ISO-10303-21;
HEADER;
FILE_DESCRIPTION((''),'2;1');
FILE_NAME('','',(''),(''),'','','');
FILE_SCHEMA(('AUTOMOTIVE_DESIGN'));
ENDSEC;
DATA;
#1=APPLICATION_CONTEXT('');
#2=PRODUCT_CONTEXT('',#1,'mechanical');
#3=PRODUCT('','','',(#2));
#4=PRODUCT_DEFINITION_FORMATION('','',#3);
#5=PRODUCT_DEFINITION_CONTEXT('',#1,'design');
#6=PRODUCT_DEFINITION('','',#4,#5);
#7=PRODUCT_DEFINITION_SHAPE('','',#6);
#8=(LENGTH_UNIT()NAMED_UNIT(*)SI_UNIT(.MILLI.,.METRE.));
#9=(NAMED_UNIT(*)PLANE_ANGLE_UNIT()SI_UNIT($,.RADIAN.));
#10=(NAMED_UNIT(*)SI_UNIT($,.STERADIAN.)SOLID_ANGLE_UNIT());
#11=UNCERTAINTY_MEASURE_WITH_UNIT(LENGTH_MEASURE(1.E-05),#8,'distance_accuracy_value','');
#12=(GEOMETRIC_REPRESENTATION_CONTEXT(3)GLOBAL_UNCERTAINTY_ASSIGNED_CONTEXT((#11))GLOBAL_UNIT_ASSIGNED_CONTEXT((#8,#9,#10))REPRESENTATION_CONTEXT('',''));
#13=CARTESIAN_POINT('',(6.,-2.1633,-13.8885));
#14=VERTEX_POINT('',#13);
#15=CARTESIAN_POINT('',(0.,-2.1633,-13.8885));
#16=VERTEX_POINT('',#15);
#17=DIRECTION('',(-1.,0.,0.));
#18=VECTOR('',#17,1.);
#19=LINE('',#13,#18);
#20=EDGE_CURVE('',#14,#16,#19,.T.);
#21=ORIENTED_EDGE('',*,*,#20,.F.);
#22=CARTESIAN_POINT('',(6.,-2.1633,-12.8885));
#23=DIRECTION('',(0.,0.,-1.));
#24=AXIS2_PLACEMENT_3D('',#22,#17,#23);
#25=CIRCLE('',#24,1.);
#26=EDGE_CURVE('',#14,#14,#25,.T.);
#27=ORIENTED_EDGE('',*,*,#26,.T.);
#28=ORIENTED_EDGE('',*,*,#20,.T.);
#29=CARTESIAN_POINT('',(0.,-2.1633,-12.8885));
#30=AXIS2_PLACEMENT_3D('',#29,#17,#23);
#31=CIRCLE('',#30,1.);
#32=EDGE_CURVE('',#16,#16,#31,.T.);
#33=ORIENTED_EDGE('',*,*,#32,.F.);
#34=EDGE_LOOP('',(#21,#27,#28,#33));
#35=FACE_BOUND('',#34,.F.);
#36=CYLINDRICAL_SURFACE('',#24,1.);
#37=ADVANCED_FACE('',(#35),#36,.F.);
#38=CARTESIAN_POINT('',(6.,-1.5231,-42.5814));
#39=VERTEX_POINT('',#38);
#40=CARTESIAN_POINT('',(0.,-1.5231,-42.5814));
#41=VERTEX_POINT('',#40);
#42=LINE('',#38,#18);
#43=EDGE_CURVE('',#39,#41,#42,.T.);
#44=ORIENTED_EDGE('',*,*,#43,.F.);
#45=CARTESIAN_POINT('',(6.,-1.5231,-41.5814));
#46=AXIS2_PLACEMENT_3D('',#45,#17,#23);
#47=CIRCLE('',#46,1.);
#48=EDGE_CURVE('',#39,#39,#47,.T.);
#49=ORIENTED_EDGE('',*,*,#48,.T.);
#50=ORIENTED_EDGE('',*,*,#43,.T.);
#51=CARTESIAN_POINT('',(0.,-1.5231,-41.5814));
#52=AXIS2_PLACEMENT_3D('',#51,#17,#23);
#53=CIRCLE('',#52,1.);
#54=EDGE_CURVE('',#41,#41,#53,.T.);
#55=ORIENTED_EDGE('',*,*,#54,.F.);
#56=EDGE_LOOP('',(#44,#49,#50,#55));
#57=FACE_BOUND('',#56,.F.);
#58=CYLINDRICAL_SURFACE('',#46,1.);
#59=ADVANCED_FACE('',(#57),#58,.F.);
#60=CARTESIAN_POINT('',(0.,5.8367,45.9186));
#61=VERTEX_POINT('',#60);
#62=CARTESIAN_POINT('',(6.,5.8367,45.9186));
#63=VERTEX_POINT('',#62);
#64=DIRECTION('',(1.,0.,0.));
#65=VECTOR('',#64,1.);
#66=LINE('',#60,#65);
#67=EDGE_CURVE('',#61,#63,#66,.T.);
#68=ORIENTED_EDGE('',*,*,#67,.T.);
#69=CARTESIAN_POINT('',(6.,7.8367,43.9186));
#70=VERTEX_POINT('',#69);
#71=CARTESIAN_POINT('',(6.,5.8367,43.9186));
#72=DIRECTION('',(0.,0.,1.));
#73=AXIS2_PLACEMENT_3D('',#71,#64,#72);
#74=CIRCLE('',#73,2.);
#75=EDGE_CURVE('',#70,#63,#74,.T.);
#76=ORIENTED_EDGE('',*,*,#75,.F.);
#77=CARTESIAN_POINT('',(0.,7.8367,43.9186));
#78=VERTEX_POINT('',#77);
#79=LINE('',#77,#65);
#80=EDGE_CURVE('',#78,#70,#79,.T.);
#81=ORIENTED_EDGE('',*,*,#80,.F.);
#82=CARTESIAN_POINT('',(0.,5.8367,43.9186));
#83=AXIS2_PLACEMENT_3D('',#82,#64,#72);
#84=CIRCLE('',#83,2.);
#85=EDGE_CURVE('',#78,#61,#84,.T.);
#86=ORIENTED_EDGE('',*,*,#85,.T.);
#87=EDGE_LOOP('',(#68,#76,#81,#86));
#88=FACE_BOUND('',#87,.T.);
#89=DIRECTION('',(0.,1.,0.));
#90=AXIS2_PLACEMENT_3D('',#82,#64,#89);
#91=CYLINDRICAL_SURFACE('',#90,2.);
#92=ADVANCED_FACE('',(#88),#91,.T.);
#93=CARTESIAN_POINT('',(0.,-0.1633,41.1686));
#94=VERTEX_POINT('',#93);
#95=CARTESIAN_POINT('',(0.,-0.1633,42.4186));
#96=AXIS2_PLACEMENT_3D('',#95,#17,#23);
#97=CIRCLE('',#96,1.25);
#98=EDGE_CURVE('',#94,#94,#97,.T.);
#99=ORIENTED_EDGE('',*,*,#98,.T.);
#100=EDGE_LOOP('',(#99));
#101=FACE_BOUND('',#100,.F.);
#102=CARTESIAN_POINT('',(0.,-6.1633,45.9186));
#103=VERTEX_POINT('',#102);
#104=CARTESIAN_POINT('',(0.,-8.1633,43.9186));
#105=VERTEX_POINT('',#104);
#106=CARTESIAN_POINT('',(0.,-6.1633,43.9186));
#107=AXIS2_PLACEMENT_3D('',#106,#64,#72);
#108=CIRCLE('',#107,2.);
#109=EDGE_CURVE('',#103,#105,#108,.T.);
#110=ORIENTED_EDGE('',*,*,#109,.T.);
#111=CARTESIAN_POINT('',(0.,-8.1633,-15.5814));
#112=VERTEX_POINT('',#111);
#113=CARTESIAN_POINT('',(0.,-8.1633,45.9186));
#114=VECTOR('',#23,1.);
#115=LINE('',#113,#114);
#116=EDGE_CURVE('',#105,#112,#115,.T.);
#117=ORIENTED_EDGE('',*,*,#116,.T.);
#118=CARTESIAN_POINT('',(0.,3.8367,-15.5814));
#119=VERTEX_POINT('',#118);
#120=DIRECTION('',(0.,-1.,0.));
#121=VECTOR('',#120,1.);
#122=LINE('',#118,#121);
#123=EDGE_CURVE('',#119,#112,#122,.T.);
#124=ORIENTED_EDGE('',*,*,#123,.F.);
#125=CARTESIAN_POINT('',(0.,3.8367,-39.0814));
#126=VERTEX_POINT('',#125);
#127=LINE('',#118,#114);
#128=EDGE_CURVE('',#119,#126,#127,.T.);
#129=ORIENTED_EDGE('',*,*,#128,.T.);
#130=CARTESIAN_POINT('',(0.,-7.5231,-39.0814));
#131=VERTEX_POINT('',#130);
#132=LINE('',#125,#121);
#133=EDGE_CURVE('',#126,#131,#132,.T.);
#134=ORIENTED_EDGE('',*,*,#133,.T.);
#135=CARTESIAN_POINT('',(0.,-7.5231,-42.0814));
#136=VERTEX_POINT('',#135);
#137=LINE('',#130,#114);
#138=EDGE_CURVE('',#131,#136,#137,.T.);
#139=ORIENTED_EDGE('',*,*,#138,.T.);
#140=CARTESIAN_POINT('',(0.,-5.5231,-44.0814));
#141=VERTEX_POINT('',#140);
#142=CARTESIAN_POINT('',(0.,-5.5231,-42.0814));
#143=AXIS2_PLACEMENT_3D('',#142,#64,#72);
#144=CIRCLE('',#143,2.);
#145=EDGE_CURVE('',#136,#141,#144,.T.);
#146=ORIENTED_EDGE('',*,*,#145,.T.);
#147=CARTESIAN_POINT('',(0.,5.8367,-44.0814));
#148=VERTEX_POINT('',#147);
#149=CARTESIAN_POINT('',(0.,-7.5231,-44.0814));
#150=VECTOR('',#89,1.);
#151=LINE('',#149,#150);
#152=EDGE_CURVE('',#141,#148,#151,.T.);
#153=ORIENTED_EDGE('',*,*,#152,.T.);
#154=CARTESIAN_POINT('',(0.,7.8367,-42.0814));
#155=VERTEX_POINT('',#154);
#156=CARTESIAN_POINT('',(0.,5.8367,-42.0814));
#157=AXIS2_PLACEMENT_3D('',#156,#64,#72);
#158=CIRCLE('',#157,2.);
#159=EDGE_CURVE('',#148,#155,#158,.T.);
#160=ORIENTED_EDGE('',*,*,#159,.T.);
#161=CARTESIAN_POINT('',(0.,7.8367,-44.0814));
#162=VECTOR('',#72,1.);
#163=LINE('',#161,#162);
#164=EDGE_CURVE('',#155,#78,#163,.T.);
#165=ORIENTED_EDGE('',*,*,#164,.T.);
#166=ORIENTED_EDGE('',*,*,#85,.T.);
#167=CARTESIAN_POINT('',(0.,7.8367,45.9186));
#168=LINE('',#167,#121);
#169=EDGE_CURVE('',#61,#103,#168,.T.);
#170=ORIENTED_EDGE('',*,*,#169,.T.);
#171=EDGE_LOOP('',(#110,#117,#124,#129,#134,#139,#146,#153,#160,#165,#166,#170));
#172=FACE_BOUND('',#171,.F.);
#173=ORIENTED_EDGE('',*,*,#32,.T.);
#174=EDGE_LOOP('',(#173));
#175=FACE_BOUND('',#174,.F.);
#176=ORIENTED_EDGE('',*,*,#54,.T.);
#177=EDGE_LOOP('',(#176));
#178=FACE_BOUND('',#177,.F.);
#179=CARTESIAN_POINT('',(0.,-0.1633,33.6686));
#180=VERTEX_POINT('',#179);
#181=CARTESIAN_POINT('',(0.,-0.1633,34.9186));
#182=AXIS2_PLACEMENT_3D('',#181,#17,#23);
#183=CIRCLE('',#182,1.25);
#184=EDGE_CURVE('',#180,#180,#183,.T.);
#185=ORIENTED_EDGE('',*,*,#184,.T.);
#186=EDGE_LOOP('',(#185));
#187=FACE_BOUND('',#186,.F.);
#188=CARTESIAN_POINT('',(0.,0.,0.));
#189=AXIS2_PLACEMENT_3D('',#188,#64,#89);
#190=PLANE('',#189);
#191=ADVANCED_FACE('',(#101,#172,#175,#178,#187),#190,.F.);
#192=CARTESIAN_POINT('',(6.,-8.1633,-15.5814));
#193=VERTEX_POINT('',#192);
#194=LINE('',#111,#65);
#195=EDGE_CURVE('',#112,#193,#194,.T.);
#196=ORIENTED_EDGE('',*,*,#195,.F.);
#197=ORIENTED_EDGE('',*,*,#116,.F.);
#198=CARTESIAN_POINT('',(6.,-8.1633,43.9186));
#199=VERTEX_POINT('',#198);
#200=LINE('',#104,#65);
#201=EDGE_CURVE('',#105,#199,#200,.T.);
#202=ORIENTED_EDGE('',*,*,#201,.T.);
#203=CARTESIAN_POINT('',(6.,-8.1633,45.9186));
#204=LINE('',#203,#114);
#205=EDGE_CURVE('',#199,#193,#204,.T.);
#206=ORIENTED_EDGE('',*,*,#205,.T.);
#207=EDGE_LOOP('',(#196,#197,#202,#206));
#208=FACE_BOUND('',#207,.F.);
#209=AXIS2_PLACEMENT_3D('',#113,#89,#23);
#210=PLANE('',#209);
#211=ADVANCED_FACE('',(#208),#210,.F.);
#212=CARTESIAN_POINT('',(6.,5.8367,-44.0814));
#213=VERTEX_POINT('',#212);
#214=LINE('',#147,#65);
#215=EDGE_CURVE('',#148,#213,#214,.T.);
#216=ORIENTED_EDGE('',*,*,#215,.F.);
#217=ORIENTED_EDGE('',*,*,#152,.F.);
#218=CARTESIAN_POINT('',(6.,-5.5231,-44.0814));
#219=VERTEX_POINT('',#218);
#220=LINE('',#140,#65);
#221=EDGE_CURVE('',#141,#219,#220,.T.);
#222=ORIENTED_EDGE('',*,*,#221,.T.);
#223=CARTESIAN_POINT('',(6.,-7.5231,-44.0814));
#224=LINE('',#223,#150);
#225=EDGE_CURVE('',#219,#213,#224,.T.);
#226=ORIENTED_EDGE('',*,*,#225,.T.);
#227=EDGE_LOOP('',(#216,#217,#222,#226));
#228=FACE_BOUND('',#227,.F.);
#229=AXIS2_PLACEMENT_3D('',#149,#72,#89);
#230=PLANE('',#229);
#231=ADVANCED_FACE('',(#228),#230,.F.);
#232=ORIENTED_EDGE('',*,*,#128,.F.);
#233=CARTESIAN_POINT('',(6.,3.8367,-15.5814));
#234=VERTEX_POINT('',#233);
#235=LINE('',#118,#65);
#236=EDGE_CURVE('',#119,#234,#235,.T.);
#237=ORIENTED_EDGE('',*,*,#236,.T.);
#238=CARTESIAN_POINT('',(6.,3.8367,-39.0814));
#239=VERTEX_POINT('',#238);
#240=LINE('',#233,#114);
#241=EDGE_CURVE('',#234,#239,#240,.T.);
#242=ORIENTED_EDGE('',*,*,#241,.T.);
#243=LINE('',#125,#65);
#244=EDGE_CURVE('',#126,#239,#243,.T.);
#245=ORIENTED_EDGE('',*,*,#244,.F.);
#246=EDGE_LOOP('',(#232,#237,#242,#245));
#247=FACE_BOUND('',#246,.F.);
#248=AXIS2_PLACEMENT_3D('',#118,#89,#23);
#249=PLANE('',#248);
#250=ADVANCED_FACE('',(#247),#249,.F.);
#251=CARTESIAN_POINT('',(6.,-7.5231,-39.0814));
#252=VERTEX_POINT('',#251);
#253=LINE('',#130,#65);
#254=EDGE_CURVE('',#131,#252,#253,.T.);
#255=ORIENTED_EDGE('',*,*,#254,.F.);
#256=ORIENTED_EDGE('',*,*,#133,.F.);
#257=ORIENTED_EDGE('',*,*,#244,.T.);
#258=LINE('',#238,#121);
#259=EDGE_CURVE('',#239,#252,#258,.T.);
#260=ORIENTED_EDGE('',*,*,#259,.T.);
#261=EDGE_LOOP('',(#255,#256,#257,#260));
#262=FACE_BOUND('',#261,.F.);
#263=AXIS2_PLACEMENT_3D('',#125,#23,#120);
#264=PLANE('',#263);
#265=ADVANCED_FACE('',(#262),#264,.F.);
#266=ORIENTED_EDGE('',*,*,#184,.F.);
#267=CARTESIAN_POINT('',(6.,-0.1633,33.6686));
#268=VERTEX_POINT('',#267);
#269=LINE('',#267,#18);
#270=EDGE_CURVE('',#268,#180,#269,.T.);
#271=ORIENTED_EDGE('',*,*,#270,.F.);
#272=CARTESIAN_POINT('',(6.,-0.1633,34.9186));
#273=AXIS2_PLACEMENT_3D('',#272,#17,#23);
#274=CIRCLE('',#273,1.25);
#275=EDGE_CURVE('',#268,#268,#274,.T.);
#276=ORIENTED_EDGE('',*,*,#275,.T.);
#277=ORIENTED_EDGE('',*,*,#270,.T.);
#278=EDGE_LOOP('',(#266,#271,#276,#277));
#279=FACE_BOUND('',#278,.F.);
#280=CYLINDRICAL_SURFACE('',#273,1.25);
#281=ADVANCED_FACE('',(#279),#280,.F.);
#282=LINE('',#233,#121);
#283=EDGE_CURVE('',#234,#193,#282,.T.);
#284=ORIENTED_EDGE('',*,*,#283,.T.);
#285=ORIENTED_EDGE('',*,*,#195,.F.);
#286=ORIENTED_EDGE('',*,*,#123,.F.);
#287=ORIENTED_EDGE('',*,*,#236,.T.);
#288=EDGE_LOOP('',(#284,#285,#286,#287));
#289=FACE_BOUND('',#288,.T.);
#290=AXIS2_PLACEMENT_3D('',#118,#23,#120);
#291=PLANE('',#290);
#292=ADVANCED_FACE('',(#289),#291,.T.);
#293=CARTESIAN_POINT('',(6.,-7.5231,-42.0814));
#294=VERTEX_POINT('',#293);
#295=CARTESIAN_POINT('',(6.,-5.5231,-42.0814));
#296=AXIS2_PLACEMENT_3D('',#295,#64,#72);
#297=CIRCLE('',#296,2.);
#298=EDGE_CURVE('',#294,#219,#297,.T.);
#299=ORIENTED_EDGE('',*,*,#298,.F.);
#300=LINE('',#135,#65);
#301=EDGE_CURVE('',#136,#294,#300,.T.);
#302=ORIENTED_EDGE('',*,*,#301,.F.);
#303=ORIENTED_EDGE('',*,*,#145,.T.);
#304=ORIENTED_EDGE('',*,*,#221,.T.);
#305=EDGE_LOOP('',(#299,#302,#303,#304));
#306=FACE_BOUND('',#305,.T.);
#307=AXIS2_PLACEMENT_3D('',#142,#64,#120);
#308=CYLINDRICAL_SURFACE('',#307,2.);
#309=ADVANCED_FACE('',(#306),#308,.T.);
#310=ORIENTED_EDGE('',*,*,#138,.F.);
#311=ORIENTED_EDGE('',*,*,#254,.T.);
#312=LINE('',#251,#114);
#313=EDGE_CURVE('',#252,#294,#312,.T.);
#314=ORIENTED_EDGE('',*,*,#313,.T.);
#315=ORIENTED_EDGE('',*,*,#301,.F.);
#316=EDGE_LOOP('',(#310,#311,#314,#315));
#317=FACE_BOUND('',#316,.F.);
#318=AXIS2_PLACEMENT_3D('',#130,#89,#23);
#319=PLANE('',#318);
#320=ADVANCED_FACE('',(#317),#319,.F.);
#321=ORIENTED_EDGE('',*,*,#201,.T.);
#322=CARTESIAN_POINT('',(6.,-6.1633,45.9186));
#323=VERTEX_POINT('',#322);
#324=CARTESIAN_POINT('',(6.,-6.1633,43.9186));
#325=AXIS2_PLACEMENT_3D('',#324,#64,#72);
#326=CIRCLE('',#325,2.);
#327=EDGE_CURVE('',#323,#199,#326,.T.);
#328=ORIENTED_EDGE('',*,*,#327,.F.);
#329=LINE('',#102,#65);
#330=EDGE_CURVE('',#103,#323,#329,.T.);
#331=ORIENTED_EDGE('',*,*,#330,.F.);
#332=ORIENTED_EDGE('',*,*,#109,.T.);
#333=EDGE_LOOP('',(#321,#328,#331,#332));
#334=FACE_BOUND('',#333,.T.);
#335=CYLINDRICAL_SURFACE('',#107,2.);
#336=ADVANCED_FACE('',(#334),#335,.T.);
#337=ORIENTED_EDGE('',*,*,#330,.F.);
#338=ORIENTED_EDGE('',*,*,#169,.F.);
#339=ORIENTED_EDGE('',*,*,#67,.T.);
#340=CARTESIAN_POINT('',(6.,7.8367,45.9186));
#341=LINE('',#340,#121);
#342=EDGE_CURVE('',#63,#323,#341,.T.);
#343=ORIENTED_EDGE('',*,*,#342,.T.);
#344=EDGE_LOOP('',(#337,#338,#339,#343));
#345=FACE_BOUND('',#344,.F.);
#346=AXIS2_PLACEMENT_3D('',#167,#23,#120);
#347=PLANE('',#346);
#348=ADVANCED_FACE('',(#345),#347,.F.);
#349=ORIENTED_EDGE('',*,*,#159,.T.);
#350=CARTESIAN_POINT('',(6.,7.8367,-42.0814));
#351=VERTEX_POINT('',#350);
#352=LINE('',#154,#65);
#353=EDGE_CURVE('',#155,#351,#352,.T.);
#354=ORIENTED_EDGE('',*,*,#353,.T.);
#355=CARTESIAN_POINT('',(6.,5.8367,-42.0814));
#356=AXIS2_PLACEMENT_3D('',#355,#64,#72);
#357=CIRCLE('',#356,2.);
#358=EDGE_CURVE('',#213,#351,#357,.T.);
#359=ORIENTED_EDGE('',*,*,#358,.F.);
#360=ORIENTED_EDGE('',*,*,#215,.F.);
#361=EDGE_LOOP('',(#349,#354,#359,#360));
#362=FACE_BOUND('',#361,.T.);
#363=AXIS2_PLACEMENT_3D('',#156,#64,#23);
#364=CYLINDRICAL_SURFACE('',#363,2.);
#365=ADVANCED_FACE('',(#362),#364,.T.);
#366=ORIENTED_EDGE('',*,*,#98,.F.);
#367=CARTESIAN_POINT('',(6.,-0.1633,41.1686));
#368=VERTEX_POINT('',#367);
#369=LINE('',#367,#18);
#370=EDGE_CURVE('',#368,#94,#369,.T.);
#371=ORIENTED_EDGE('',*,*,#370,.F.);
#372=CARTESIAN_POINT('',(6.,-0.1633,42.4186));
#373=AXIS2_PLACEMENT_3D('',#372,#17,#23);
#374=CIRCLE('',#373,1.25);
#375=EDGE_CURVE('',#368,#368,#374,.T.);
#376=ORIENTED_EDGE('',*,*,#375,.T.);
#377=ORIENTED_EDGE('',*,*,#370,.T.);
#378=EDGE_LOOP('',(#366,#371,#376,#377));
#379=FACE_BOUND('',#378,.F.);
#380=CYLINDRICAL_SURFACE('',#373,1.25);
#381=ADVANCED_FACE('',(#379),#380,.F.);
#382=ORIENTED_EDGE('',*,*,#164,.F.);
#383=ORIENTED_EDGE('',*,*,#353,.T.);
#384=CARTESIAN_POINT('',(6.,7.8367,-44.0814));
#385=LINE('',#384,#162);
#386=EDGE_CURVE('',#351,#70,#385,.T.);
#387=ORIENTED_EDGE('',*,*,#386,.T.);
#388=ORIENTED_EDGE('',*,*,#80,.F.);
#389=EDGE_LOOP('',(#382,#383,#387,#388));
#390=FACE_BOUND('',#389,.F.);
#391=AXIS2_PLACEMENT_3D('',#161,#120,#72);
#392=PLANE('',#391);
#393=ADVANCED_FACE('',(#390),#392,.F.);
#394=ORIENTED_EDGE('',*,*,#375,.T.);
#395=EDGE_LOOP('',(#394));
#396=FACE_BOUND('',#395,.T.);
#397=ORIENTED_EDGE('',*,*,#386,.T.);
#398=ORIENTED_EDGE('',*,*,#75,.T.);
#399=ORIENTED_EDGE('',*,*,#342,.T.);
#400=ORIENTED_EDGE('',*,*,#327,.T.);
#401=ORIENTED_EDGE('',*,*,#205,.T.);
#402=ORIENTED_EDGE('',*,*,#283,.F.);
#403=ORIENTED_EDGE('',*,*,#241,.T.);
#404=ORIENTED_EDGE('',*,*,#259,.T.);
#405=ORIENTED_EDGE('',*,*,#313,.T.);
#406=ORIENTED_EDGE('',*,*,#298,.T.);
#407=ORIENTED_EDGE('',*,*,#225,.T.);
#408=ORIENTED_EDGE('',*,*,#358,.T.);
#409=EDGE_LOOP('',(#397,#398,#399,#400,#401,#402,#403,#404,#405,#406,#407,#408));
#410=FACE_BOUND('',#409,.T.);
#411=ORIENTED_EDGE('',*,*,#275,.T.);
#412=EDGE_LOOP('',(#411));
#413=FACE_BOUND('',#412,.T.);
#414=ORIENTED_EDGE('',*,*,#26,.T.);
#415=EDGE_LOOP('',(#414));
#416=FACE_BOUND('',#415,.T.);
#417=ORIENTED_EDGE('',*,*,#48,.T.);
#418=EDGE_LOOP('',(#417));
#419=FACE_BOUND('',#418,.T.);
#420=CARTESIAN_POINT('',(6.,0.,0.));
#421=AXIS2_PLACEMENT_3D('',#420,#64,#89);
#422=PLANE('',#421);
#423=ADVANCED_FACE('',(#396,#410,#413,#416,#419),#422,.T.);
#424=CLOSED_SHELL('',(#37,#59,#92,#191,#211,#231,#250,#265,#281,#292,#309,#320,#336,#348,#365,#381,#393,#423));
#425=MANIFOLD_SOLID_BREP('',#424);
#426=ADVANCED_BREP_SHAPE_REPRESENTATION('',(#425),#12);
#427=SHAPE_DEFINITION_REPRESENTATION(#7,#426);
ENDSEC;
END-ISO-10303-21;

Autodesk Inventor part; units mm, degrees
ref_plane "YZ Plane" through (0, 0, 0) normal (1, 0, 0) x (0, 1, 0)
ref_plane "XZ Plane" through (0, 0, 0) normal (0, 1, 0) x (-1, 0, 0)
ref_plane "XY Plane" through (0, 0, 0) normal (0, 0, 1) x (1, 0, 0)
sketch "Sketch1" plane through (0, 0, 0) normal (1, 0, 0) x (0, 1, 0)
  line L0 (-7.5231, -44.0814) -> (7.8367, -44.0814)
  line L1 (7.8367, -44.0814) -> (7.8367, 45.9186)
  line L2 (7.8367, 45.9186) -> (-8.1633, 45.9186)
  line L3 (-7.5231, -44.0814) -> (7.8367, 45.9186) construction
  line L4 (7.8367, -44.0814) -> (-8.1633, 45.9186) construction
  line L5 (-8.1633, 45.9186) -> (-8.1633, -15.5814)
  line L6 (3.8367, -15.5814) -> (-8.1633, -15.5814)
  line L7 (3.8367, -15.5814) -> (3.8367, -39.0814)
  line L8 (3.8367, -39.0814) -> (-7.5231, -39.0814)
  line L9 (-7.5231, -39.0814) -> (-7.5231, -44.0814)
  point P0 (0, 0)
  dimension "d0" = 16
  dimension "d1" = 90
  dimension "d24" = 12
  dimension "d28" = 5
  dimension "d29" = 23.5
extrude "Extrusion1" add sketch "Sketch1" along normal blind 6
sketch "Sketch2" plane through (6, 0, 0) normal (1, 0, 0) x (0, 0, -1)
  point P0 (0, 0)
sketch "Sketch3" plane through (6, 0, 0) normal (1, 0, 0) x (0, 0, -1)
  line L0 (-45.9186, 7.8367) -> (-45.9186, -8.1633) projected
  line L1 (44.0814, -7.5231) -> (44.0814, 7.8367) projected
  point P0 (0, 0)
  point P1 (-34.9186, -0.1633)
  point P2 (27.0814, 0.4769)
  point P3 (-42.4186, -0.1633)
  dimension "d4" = 11
  dimension "d5" = 17
  dimension "d23" = 7.5
hole "Hole1" at (6, -0.1633, 34.9186) at (6, -0.1633, 42.4186) direction (-1, 0, 0) diameter 2.5 end through all
fillet "Fillet1" radius 2 4 edges at (3, 7.8367, 45.9186) (3, -8.1633, 45.9186) (3, 7.8367, -44.0814) (3, -7.5231, -44.0814)
sketch "Sketch4" plane through (6, 0, 0) normal (1, 0, 0) x (0, 0, -1)
  line L0 (44.0814, -5.5231) -> (44.0814, 5.8367) projected
  line L1 (-43.9186, -8.1633) -> (15.5814, -8.1633) projected
  line L2 (39.0814, -7.5231) -> (42.0814, -7.5231) projected
  point P0 (0, 0)
  point P1 (41.5814, -1.5231)
  point P2 (12.8885, -2.1633)
  dimension "d14" = 2.5
  dimension "d15" = 28.7
  dimension "d30" = 6
  dimension "d31" = 6
hole "Hole2" at (6, -2.1633, -12.8885) at (6, -1.5231, -41.5814) direction (-1, 0, 0) diameter 2 end through all
properties part number "Arm1"
